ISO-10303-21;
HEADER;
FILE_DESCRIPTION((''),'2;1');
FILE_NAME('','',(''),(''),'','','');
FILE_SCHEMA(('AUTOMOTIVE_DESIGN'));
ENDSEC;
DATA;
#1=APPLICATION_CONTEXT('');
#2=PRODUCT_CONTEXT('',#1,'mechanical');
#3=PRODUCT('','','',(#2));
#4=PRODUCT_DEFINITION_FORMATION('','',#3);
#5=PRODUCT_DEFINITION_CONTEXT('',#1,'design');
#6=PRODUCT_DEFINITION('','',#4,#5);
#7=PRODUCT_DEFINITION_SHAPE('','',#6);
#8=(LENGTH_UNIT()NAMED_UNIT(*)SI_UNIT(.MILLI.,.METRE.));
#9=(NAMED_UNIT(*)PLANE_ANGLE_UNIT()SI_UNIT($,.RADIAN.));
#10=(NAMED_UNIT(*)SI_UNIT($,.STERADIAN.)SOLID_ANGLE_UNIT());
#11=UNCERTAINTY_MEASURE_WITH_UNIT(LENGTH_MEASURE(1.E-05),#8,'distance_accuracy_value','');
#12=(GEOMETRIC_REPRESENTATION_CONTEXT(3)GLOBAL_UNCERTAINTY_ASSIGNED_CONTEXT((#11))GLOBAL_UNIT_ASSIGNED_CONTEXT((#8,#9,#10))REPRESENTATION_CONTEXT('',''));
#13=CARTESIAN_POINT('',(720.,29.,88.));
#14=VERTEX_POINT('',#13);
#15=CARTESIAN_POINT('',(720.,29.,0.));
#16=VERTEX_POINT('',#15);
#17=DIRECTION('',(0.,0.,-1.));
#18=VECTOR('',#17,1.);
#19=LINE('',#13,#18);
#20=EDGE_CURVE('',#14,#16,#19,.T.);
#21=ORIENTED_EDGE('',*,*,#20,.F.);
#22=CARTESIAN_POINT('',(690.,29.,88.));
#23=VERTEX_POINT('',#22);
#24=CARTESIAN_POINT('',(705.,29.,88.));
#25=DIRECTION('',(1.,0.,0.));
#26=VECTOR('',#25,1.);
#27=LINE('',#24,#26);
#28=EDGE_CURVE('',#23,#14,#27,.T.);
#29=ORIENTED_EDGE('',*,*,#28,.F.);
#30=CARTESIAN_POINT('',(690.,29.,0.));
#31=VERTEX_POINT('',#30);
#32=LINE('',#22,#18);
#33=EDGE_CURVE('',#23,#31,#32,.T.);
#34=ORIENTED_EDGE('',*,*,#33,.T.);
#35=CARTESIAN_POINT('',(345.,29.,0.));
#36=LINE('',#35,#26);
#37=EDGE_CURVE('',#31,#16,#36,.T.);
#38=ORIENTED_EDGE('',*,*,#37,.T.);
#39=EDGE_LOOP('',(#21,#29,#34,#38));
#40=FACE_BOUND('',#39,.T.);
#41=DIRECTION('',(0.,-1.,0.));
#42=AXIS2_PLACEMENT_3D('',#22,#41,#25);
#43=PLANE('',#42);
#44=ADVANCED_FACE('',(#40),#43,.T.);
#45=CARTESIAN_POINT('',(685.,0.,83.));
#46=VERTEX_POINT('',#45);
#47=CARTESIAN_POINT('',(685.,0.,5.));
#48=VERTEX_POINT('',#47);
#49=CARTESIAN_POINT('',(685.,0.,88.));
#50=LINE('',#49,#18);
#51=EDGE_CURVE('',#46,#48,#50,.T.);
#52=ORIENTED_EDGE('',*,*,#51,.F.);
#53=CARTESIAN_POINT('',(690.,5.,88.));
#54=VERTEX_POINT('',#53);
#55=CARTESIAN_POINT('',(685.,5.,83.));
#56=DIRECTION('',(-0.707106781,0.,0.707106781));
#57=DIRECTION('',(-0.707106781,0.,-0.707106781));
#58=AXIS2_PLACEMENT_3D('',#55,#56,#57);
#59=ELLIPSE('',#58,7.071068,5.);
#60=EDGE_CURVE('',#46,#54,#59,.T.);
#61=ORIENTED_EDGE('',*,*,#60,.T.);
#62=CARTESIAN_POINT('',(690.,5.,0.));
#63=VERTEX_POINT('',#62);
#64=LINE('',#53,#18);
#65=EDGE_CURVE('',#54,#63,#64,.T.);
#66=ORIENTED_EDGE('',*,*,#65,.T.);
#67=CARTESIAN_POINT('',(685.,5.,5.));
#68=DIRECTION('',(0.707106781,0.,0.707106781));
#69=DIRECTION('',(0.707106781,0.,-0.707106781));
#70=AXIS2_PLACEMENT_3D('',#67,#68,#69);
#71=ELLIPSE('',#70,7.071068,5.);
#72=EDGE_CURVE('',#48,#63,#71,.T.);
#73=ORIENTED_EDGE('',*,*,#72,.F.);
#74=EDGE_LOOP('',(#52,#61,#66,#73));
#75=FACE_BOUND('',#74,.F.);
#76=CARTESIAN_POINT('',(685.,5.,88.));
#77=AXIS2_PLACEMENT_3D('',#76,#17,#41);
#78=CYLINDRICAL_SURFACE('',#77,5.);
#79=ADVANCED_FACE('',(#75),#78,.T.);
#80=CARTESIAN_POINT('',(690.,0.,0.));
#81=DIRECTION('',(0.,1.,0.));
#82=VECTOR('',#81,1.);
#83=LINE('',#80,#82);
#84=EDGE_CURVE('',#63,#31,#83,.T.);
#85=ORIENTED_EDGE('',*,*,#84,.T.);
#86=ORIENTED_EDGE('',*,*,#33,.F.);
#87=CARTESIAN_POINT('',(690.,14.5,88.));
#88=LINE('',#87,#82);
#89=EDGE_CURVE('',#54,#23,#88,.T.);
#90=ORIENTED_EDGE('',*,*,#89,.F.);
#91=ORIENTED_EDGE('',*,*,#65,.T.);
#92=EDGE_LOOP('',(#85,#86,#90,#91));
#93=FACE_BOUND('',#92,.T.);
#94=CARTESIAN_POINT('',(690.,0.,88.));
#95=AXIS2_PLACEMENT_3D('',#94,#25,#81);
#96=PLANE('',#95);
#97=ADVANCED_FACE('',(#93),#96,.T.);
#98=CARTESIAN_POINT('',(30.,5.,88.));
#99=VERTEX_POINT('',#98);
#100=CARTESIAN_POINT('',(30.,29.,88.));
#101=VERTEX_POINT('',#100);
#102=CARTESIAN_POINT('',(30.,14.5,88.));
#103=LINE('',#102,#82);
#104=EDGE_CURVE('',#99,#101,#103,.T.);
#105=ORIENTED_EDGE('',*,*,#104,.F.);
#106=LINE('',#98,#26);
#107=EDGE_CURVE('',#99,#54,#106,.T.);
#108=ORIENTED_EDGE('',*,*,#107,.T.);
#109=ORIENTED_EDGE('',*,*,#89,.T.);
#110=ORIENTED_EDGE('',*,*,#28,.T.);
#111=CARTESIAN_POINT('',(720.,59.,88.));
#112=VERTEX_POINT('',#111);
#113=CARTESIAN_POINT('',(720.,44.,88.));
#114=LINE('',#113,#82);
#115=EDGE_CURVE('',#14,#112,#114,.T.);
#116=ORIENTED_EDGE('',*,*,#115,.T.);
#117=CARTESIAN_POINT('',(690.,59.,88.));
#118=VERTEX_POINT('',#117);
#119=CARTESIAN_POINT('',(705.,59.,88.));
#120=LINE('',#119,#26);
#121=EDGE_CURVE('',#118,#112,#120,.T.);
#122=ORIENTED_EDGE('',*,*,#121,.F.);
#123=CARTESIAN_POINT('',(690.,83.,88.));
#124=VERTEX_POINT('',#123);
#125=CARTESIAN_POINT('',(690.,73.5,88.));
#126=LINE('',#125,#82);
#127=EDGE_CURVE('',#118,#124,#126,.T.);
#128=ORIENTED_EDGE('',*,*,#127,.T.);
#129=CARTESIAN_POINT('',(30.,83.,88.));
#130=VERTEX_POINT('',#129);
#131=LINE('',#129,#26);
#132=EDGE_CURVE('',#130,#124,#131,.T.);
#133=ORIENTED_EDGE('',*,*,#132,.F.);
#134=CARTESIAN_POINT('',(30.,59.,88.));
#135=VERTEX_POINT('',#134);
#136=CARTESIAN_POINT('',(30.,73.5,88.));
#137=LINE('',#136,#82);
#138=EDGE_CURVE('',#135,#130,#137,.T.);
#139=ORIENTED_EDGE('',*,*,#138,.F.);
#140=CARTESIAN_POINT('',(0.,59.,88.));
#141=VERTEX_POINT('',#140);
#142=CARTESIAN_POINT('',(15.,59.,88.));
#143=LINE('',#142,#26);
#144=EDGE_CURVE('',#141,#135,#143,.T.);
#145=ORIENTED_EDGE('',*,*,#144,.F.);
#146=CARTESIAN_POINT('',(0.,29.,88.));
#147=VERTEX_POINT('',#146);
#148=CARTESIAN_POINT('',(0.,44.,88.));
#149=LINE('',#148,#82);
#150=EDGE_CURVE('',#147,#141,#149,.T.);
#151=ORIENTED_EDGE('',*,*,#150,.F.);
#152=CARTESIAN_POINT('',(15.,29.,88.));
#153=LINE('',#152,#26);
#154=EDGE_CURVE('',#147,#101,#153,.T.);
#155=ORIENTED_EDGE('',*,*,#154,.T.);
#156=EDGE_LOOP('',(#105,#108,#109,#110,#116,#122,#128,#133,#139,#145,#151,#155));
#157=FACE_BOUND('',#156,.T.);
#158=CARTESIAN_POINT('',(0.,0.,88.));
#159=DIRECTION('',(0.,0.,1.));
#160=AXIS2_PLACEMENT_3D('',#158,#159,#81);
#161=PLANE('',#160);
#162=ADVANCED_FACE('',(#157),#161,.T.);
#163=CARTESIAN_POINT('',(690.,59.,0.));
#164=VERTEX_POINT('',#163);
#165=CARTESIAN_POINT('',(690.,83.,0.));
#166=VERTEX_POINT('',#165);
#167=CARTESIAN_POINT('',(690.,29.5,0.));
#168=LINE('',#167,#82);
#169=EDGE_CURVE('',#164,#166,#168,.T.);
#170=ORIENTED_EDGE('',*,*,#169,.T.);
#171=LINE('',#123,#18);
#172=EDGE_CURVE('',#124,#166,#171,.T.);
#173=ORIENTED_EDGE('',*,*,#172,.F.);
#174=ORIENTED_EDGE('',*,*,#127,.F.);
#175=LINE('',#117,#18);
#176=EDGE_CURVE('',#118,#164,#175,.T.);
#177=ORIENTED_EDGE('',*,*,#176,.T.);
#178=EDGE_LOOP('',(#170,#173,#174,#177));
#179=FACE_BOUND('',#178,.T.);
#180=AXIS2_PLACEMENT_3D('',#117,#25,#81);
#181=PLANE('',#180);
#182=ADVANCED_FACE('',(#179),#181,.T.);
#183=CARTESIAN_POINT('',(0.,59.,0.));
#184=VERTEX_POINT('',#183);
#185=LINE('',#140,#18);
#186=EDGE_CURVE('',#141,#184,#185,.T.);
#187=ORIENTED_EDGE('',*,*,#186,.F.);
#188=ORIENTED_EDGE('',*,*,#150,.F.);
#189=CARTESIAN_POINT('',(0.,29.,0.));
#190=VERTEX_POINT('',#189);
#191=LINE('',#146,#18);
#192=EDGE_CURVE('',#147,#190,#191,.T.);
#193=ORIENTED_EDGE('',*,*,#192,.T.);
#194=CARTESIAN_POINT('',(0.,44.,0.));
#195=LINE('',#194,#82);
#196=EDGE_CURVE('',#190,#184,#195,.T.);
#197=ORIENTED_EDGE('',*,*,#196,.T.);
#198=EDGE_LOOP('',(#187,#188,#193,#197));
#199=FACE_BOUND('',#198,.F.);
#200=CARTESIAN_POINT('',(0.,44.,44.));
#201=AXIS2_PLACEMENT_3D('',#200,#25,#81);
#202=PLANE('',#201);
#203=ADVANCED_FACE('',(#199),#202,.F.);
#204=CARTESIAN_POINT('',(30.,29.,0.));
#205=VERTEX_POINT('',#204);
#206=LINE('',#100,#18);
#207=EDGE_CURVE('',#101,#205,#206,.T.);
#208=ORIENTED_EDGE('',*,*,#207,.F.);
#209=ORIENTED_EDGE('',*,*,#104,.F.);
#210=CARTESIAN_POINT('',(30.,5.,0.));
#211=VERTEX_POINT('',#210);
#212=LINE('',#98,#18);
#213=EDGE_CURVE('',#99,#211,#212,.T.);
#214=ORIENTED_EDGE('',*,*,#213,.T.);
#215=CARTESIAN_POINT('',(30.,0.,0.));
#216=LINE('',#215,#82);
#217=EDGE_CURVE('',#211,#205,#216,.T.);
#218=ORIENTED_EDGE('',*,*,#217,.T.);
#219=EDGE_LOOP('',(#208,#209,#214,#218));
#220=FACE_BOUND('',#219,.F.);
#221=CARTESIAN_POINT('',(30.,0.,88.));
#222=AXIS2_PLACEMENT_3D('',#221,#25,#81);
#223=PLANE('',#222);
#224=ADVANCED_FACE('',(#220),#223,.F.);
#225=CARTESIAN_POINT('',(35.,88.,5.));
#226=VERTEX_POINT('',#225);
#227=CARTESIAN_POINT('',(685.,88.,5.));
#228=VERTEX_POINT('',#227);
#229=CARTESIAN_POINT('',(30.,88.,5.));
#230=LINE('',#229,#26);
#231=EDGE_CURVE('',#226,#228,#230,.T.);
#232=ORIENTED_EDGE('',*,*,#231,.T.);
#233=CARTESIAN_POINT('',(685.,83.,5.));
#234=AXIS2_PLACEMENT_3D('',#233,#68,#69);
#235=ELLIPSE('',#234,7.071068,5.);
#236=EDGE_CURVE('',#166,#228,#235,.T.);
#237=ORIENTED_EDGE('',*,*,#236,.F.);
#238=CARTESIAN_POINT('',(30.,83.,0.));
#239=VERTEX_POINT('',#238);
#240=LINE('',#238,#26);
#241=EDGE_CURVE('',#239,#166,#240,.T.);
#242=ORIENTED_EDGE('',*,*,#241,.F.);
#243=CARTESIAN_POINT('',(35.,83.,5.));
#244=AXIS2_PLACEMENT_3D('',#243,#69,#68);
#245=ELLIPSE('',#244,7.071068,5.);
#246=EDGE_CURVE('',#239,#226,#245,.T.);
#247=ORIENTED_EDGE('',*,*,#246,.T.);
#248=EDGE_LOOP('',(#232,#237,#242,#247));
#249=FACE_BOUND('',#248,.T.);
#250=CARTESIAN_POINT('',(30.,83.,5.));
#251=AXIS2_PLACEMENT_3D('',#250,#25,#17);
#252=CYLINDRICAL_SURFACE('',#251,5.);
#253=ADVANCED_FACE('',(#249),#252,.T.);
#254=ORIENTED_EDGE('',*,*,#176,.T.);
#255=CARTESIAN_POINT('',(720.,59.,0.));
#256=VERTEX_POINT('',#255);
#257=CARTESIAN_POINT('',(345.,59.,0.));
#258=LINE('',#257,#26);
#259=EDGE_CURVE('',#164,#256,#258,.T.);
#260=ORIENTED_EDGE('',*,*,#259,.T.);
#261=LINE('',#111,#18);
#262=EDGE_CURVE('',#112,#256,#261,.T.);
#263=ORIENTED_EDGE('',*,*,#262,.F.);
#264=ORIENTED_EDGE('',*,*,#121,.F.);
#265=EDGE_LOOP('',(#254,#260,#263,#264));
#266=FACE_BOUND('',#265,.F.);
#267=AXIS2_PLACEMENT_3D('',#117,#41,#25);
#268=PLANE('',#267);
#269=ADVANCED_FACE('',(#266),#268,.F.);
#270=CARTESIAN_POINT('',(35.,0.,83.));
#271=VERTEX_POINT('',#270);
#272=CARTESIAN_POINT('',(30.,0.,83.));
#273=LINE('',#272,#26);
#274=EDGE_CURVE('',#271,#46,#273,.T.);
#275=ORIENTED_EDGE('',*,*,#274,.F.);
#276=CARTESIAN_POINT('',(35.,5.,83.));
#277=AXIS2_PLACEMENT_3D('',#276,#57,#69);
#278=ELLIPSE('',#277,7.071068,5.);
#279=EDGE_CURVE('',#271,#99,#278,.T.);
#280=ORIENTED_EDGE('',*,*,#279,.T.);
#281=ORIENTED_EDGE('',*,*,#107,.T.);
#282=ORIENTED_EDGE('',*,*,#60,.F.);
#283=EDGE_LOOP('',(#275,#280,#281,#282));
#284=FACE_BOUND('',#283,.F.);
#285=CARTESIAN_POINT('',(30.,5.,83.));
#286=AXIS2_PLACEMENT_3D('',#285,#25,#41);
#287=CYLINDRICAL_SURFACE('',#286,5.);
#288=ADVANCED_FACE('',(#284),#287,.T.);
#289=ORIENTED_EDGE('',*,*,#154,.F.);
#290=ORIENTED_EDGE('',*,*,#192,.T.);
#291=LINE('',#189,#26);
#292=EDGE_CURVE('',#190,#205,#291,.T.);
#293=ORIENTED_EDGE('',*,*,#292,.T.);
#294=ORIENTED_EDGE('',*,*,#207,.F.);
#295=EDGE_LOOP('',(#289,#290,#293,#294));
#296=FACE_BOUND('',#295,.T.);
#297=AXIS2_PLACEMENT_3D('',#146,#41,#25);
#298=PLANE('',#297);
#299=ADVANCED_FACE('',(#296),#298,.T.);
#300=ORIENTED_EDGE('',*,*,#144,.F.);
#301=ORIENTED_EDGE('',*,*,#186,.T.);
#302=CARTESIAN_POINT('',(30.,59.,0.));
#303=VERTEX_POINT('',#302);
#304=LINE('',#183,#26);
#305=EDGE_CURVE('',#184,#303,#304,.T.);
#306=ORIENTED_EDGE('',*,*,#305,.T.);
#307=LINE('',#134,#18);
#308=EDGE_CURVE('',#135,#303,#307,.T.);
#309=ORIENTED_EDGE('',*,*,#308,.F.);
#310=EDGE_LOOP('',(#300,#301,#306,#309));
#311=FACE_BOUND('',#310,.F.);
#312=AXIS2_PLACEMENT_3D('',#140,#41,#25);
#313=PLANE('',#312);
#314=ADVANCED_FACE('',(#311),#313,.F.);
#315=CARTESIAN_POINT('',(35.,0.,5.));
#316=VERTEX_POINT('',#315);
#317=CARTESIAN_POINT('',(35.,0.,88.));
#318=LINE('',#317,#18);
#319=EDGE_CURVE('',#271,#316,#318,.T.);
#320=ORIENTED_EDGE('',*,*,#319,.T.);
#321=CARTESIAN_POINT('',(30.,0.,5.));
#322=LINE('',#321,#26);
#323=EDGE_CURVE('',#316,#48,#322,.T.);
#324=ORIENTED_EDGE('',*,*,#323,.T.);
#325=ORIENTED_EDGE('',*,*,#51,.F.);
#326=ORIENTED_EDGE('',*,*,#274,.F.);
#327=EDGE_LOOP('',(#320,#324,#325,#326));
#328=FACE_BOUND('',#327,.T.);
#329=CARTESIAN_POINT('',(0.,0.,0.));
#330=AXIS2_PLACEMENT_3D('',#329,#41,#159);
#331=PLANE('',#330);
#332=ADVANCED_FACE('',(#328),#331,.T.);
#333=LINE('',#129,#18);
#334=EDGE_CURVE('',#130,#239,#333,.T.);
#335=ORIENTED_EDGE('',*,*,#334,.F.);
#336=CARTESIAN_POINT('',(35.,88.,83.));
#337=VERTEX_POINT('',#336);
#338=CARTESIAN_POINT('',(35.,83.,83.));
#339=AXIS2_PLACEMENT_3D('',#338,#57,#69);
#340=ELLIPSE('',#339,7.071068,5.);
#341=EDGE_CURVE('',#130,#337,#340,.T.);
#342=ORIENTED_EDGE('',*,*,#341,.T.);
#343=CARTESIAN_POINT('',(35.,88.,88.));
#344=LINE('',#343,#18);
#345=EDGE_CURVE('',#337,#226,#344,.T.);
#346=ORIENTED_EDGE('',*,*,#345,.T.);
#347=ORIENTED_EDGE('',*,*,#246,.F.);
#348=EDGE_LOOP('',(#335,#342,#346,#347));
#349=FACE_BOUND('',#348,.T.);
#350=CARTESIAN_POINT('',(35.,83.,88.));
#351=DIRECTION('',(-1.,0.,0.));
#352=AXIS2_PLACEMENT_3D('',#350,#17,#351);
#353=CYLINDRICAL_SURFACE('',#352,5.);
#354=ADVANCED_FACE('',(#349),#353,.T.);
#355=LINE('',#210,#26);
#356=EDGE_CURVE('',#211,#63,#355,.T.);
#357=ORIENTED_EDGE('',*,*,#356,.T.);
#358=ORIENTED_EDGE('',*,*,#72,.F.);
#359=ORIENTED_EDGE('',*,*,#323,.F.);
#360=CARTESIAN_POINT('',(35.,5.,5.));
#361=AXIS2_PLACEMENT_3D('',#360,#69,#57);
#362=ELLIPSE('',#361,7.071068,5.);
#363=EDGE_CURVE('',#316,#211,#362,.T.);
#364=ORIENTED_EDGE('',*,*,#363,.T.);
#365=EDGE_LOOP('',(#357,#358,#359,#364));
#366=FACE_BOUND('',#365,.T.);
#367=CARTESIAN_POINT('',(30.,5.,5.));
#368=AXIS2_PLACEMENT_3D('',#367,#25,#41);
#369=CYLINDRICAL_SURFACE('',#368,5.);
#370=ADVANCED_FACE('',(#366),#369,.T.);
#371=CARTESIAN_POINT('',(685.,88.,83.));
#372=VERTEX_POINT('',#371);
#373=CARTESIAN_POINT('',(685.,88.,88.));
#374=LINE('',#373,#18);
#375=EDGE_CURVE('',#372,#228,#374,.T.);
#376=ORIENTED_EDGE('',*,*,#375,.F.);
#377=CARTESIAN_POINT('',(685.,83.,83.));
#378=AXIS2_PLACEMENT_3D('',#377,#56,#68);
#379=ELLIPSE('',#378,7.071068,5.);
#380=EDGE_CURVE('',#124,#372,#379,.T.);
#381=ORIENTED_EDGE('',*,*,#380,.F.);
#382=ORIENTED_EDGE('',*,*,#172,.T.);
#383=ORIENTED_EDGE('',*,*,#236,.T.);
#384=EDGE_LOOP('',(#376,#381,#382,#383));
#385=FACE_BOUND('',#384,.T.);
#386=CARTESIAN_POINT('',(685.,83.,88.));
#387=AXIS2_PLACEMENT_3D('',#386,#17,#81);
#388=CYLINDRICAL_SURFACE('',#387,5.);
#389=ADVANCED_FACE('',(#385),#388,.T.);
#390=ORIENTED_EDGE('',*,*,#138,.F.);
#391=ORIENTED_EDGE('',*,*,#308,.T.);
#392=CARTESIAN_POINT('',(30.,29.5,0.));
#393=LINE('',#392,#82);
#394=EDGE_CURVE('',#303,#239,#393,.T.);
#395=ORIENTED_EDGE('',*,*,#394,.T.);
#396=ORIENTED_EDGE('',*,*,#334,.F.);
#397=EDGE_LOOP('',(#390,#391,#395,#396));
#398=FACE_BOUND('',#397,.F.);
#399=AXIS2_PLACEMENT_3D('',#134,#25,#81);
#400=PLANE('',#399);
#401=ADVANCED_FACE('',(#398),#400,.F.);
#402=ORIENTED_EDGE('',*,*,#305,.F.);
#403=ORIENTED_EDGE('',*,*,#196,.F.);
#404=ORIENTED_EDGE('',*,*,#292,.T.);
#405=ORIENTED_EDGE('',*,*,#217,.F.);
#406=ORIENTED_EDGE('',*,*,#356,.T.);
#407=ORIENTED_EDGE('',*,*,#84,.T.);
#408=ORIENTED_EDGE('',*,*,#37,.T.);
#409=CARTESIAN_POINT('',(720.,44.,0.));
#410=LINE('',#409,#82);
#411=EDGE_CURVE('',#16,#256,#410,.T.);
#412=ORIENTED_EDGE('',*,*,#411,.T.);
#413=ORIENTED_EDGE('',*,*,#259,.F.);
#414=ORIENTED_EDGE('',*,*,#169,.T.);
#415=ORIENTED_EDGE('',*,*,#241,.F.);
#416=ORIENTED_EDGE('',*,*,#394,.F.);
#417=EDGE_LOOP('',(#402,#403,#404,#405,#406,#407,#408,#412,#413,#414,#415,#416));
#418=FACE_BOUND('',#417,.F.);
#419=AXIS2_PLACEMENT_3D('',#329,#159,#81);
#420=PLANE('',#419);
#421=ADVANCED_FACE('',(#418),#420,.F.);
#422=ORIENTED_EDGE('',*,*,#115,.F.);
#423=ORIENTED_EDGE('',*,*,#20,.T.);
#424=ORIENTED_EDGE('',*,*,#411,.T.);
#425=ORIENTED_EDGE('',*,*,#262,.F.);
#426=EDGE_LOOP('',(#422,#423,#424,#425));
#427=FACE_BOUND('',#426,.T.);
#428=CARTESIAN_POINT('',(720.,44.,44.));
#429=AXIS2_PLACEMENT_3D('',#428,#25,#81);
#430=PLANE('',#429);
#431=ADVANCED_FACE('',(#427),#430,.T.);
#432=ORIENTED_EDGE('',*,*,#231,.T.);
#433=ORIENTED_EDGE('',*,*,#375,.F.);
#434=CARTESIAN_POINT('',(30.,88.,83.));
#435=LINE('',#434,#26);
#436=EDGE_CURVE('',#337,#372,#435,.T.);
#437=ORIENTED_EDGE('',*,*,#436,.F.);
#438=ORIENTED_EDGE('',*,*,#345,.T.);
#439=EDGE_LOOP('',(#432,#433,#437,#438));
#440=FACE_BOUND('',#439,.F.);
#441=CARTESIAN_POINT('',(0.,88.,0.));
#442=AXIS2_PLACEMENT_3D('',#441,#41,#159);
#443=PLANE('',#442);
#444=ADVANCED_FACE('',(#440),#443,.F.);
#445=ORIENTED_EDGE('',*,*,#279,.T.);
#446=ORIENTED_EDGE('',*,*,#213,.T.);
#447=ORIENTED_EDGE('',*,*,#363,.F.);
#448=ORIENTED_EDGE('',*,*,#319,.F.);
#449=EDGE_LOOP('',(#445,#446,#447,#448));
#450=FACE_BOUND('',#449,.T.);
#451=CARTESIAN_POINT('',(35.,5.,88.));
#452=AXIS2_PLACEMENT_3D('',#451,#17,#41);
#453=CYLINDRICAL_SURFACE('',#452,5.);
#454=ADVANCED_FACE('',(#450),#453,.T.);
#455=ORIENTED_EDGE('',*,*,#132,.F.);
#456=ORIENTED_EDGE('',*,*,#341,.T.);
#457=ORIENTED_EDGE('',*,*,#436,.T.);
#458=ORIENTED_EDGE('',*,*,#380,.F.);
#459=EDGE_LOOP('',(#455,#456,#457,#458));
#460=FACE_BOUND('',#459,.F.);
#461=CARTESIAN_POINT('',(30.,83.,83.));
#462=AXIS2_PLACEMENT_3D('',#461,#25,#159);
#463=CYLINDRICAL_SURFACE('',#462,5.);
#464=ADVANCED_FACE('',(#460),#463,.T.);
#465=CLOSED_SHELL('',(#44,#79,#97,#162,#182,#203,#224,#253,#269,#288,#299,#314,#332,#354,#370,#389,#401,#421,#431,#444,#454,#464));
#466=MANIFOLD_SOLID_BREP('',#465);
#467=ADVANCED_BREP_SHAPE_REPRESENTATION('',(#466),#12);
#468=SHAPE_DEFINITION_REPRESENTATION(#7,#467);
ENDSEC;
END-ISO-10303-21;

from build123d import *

# Parameters (mm, degrees)
F0_W     = 88
F0_H     = 88
F1_DEPTH = 720
F2_W     = 30
F2_H     = 29
F3_DEPTH = 88.001
F4_W     = 30
F4_H     = 29
F5_DEPTH = 88.001
F6_R     = 5


with BuildPart() as f1:
    # F0 (on Right) → F1 (new body)
    with BuildSketch(Plane.YZ):
        with Locations((44, 44)):
            Rectangle(F0_W, F0_H)
    extrude(amount=F1_DEPTH)

    # F2 (on face) → F3 (cut, through all)
    with BuildSketch(Plane.XY.offset(88)):
        with Locations((705, 14.5)):
            Rectangle(F2_W, F2_H)
        with Locations((705, 73.5)):
            Rectangle(F2_W, F2_H)
    extrude(amount=-F3_DEPTH, mode=Mode.SUBTRACT)

    # F4 (on face) → F5 (cut, through all)
    with BuildSketch(Plane.XY.offset(88)):
        with Locations((15, 73.5)):
            Rectangle(F4_W, F4_H)
        with Locations((15, 14.5)):
            Rectangle(F4_W, F4_H)
    extrude(amount=-F5_DEPTH, mode=Mode.SUBTRACT)

    # F6
    f6_edges = [f1.edges().sort_by_distance(p)[0] for p in [
        (30, 0, 44),
        (360, 0, 0),
        (690, 0, 44),
        (360, 0, 88),
        (360, 88, 88),
        (360, 88, 0),
        (690, 88, 44),
        (30, 88, 44),
    ]]
    fillet(f6_edges, radius=F6_R)


solid = f1.part
